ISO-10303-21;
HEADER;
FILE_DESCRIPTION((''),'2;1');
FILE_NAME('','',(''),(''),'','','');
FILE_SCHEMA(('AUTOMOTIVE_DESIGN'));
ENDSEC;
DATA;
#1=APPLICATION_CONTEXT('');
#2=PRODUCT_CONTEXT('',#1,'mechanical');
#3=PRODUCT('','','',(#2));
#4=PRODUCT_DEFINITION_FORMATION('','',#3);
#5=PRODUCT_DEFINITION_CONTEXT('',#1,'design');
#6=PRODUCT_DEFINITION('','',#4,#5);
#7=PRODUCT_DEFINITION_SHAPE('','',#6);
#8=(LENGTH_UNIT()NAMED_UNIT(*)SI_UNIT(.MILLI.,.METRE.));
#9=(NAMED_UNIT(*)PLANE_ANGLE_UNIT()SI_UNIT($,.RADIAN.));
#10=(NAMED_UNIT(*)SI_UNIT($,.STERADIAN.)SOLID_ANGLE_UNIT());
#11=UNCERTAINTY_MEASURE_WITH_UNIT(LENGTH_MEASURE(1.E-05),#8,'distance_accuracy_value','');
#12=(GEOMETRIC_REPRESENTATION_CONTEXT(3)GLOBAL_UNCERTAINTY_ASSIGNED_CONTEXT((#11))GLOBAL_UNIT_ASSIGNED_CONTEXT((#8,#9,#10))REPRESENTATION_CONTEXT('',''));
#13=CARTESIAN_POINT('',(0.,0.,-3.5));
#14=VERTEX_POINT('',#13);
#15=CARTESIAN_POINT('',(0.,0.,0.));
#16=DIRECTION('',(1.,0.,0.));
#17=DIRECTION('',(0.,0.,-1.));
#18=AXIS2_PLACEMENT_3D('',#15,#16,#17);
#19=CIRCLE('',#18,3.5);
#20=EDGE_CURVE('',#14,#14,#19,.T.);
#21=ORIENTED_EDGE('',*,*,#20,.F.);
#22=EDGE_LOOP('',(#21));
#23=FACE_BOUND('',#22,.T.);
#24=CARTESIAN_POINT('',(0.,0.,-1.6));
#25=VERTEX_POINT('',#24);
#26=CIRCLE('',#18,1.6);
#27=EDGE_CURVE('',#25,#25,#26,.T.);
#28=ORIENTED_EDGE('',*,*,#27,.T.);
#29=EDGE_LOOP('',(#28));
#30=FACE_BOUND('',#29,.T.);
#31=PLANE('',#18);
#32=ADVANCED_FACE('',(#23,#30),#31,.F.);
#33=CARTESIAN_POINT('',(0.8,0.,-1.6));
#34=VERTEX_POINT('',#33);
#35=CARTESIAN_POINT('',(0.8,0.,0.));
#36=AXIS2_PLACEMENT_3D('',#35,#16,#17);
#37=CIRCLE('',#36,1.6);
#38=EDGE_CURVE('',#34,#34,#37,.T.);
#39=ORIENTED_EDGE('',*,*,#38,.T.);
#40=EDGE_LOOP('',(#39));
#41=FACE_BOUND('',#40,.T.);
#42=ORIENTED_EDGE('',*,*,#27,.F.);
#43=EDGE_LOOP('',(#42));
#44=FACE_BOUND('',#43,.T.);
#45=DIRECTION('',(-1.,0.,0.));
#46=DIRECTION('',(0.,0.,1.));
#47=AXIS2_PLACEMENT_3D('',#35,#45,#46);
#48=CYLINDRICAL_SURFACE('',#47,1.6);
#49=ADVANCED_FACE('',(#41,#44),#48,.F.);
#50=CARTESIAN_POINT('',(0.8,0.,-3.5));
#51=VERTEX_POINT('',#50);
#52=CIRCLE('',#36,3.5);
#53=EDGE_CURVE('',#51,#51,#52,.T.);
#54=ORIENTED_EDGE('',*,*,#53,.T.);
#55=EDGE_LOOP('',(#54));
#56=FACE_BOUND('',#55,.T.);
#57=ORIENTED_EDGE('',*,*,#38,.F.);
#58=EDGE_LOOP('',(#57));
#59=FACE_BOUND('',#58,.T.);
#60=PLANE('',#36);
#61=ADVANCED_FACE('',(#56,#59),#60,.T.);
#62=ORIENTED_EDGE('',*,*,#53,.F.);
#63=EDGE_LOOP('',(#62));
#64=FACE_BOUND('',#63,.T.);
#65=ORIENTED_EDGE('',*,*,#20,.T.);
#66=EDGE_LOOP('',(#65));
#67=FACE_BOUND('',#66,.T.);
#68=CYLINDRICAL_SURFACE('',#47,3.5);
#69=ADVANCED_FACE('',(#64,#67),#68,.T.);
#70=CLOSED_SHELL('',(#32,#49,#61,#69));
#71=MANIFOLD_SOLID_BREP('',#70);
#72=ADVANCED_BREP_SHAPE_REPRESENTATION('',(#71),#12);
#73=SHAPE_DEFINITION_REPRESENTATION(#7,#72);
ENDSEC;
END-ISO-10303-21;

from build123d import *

# Parameters (mm, degrees)
SKETCH1_R          = 3.5
SKETCH1_R_2        = 1.6
BASE_EXTRUDE_DEPTH = 0.8


with BuildPart() as part:
    # Sketch1 → Base-Extrude (new body)
    with BuildSketch(Plane(origin=(0, 0, 0), x_dir=(0, 0, -1), z_dir=(1, 0, 0))):
        Circle(SKETCH1_R)
        Circle(SKETCH1_R_2, mode=Mode.SUBTRACT)
    extrude(amount=BASE_EXTRUDE_DEPTH)


solid = part.part
